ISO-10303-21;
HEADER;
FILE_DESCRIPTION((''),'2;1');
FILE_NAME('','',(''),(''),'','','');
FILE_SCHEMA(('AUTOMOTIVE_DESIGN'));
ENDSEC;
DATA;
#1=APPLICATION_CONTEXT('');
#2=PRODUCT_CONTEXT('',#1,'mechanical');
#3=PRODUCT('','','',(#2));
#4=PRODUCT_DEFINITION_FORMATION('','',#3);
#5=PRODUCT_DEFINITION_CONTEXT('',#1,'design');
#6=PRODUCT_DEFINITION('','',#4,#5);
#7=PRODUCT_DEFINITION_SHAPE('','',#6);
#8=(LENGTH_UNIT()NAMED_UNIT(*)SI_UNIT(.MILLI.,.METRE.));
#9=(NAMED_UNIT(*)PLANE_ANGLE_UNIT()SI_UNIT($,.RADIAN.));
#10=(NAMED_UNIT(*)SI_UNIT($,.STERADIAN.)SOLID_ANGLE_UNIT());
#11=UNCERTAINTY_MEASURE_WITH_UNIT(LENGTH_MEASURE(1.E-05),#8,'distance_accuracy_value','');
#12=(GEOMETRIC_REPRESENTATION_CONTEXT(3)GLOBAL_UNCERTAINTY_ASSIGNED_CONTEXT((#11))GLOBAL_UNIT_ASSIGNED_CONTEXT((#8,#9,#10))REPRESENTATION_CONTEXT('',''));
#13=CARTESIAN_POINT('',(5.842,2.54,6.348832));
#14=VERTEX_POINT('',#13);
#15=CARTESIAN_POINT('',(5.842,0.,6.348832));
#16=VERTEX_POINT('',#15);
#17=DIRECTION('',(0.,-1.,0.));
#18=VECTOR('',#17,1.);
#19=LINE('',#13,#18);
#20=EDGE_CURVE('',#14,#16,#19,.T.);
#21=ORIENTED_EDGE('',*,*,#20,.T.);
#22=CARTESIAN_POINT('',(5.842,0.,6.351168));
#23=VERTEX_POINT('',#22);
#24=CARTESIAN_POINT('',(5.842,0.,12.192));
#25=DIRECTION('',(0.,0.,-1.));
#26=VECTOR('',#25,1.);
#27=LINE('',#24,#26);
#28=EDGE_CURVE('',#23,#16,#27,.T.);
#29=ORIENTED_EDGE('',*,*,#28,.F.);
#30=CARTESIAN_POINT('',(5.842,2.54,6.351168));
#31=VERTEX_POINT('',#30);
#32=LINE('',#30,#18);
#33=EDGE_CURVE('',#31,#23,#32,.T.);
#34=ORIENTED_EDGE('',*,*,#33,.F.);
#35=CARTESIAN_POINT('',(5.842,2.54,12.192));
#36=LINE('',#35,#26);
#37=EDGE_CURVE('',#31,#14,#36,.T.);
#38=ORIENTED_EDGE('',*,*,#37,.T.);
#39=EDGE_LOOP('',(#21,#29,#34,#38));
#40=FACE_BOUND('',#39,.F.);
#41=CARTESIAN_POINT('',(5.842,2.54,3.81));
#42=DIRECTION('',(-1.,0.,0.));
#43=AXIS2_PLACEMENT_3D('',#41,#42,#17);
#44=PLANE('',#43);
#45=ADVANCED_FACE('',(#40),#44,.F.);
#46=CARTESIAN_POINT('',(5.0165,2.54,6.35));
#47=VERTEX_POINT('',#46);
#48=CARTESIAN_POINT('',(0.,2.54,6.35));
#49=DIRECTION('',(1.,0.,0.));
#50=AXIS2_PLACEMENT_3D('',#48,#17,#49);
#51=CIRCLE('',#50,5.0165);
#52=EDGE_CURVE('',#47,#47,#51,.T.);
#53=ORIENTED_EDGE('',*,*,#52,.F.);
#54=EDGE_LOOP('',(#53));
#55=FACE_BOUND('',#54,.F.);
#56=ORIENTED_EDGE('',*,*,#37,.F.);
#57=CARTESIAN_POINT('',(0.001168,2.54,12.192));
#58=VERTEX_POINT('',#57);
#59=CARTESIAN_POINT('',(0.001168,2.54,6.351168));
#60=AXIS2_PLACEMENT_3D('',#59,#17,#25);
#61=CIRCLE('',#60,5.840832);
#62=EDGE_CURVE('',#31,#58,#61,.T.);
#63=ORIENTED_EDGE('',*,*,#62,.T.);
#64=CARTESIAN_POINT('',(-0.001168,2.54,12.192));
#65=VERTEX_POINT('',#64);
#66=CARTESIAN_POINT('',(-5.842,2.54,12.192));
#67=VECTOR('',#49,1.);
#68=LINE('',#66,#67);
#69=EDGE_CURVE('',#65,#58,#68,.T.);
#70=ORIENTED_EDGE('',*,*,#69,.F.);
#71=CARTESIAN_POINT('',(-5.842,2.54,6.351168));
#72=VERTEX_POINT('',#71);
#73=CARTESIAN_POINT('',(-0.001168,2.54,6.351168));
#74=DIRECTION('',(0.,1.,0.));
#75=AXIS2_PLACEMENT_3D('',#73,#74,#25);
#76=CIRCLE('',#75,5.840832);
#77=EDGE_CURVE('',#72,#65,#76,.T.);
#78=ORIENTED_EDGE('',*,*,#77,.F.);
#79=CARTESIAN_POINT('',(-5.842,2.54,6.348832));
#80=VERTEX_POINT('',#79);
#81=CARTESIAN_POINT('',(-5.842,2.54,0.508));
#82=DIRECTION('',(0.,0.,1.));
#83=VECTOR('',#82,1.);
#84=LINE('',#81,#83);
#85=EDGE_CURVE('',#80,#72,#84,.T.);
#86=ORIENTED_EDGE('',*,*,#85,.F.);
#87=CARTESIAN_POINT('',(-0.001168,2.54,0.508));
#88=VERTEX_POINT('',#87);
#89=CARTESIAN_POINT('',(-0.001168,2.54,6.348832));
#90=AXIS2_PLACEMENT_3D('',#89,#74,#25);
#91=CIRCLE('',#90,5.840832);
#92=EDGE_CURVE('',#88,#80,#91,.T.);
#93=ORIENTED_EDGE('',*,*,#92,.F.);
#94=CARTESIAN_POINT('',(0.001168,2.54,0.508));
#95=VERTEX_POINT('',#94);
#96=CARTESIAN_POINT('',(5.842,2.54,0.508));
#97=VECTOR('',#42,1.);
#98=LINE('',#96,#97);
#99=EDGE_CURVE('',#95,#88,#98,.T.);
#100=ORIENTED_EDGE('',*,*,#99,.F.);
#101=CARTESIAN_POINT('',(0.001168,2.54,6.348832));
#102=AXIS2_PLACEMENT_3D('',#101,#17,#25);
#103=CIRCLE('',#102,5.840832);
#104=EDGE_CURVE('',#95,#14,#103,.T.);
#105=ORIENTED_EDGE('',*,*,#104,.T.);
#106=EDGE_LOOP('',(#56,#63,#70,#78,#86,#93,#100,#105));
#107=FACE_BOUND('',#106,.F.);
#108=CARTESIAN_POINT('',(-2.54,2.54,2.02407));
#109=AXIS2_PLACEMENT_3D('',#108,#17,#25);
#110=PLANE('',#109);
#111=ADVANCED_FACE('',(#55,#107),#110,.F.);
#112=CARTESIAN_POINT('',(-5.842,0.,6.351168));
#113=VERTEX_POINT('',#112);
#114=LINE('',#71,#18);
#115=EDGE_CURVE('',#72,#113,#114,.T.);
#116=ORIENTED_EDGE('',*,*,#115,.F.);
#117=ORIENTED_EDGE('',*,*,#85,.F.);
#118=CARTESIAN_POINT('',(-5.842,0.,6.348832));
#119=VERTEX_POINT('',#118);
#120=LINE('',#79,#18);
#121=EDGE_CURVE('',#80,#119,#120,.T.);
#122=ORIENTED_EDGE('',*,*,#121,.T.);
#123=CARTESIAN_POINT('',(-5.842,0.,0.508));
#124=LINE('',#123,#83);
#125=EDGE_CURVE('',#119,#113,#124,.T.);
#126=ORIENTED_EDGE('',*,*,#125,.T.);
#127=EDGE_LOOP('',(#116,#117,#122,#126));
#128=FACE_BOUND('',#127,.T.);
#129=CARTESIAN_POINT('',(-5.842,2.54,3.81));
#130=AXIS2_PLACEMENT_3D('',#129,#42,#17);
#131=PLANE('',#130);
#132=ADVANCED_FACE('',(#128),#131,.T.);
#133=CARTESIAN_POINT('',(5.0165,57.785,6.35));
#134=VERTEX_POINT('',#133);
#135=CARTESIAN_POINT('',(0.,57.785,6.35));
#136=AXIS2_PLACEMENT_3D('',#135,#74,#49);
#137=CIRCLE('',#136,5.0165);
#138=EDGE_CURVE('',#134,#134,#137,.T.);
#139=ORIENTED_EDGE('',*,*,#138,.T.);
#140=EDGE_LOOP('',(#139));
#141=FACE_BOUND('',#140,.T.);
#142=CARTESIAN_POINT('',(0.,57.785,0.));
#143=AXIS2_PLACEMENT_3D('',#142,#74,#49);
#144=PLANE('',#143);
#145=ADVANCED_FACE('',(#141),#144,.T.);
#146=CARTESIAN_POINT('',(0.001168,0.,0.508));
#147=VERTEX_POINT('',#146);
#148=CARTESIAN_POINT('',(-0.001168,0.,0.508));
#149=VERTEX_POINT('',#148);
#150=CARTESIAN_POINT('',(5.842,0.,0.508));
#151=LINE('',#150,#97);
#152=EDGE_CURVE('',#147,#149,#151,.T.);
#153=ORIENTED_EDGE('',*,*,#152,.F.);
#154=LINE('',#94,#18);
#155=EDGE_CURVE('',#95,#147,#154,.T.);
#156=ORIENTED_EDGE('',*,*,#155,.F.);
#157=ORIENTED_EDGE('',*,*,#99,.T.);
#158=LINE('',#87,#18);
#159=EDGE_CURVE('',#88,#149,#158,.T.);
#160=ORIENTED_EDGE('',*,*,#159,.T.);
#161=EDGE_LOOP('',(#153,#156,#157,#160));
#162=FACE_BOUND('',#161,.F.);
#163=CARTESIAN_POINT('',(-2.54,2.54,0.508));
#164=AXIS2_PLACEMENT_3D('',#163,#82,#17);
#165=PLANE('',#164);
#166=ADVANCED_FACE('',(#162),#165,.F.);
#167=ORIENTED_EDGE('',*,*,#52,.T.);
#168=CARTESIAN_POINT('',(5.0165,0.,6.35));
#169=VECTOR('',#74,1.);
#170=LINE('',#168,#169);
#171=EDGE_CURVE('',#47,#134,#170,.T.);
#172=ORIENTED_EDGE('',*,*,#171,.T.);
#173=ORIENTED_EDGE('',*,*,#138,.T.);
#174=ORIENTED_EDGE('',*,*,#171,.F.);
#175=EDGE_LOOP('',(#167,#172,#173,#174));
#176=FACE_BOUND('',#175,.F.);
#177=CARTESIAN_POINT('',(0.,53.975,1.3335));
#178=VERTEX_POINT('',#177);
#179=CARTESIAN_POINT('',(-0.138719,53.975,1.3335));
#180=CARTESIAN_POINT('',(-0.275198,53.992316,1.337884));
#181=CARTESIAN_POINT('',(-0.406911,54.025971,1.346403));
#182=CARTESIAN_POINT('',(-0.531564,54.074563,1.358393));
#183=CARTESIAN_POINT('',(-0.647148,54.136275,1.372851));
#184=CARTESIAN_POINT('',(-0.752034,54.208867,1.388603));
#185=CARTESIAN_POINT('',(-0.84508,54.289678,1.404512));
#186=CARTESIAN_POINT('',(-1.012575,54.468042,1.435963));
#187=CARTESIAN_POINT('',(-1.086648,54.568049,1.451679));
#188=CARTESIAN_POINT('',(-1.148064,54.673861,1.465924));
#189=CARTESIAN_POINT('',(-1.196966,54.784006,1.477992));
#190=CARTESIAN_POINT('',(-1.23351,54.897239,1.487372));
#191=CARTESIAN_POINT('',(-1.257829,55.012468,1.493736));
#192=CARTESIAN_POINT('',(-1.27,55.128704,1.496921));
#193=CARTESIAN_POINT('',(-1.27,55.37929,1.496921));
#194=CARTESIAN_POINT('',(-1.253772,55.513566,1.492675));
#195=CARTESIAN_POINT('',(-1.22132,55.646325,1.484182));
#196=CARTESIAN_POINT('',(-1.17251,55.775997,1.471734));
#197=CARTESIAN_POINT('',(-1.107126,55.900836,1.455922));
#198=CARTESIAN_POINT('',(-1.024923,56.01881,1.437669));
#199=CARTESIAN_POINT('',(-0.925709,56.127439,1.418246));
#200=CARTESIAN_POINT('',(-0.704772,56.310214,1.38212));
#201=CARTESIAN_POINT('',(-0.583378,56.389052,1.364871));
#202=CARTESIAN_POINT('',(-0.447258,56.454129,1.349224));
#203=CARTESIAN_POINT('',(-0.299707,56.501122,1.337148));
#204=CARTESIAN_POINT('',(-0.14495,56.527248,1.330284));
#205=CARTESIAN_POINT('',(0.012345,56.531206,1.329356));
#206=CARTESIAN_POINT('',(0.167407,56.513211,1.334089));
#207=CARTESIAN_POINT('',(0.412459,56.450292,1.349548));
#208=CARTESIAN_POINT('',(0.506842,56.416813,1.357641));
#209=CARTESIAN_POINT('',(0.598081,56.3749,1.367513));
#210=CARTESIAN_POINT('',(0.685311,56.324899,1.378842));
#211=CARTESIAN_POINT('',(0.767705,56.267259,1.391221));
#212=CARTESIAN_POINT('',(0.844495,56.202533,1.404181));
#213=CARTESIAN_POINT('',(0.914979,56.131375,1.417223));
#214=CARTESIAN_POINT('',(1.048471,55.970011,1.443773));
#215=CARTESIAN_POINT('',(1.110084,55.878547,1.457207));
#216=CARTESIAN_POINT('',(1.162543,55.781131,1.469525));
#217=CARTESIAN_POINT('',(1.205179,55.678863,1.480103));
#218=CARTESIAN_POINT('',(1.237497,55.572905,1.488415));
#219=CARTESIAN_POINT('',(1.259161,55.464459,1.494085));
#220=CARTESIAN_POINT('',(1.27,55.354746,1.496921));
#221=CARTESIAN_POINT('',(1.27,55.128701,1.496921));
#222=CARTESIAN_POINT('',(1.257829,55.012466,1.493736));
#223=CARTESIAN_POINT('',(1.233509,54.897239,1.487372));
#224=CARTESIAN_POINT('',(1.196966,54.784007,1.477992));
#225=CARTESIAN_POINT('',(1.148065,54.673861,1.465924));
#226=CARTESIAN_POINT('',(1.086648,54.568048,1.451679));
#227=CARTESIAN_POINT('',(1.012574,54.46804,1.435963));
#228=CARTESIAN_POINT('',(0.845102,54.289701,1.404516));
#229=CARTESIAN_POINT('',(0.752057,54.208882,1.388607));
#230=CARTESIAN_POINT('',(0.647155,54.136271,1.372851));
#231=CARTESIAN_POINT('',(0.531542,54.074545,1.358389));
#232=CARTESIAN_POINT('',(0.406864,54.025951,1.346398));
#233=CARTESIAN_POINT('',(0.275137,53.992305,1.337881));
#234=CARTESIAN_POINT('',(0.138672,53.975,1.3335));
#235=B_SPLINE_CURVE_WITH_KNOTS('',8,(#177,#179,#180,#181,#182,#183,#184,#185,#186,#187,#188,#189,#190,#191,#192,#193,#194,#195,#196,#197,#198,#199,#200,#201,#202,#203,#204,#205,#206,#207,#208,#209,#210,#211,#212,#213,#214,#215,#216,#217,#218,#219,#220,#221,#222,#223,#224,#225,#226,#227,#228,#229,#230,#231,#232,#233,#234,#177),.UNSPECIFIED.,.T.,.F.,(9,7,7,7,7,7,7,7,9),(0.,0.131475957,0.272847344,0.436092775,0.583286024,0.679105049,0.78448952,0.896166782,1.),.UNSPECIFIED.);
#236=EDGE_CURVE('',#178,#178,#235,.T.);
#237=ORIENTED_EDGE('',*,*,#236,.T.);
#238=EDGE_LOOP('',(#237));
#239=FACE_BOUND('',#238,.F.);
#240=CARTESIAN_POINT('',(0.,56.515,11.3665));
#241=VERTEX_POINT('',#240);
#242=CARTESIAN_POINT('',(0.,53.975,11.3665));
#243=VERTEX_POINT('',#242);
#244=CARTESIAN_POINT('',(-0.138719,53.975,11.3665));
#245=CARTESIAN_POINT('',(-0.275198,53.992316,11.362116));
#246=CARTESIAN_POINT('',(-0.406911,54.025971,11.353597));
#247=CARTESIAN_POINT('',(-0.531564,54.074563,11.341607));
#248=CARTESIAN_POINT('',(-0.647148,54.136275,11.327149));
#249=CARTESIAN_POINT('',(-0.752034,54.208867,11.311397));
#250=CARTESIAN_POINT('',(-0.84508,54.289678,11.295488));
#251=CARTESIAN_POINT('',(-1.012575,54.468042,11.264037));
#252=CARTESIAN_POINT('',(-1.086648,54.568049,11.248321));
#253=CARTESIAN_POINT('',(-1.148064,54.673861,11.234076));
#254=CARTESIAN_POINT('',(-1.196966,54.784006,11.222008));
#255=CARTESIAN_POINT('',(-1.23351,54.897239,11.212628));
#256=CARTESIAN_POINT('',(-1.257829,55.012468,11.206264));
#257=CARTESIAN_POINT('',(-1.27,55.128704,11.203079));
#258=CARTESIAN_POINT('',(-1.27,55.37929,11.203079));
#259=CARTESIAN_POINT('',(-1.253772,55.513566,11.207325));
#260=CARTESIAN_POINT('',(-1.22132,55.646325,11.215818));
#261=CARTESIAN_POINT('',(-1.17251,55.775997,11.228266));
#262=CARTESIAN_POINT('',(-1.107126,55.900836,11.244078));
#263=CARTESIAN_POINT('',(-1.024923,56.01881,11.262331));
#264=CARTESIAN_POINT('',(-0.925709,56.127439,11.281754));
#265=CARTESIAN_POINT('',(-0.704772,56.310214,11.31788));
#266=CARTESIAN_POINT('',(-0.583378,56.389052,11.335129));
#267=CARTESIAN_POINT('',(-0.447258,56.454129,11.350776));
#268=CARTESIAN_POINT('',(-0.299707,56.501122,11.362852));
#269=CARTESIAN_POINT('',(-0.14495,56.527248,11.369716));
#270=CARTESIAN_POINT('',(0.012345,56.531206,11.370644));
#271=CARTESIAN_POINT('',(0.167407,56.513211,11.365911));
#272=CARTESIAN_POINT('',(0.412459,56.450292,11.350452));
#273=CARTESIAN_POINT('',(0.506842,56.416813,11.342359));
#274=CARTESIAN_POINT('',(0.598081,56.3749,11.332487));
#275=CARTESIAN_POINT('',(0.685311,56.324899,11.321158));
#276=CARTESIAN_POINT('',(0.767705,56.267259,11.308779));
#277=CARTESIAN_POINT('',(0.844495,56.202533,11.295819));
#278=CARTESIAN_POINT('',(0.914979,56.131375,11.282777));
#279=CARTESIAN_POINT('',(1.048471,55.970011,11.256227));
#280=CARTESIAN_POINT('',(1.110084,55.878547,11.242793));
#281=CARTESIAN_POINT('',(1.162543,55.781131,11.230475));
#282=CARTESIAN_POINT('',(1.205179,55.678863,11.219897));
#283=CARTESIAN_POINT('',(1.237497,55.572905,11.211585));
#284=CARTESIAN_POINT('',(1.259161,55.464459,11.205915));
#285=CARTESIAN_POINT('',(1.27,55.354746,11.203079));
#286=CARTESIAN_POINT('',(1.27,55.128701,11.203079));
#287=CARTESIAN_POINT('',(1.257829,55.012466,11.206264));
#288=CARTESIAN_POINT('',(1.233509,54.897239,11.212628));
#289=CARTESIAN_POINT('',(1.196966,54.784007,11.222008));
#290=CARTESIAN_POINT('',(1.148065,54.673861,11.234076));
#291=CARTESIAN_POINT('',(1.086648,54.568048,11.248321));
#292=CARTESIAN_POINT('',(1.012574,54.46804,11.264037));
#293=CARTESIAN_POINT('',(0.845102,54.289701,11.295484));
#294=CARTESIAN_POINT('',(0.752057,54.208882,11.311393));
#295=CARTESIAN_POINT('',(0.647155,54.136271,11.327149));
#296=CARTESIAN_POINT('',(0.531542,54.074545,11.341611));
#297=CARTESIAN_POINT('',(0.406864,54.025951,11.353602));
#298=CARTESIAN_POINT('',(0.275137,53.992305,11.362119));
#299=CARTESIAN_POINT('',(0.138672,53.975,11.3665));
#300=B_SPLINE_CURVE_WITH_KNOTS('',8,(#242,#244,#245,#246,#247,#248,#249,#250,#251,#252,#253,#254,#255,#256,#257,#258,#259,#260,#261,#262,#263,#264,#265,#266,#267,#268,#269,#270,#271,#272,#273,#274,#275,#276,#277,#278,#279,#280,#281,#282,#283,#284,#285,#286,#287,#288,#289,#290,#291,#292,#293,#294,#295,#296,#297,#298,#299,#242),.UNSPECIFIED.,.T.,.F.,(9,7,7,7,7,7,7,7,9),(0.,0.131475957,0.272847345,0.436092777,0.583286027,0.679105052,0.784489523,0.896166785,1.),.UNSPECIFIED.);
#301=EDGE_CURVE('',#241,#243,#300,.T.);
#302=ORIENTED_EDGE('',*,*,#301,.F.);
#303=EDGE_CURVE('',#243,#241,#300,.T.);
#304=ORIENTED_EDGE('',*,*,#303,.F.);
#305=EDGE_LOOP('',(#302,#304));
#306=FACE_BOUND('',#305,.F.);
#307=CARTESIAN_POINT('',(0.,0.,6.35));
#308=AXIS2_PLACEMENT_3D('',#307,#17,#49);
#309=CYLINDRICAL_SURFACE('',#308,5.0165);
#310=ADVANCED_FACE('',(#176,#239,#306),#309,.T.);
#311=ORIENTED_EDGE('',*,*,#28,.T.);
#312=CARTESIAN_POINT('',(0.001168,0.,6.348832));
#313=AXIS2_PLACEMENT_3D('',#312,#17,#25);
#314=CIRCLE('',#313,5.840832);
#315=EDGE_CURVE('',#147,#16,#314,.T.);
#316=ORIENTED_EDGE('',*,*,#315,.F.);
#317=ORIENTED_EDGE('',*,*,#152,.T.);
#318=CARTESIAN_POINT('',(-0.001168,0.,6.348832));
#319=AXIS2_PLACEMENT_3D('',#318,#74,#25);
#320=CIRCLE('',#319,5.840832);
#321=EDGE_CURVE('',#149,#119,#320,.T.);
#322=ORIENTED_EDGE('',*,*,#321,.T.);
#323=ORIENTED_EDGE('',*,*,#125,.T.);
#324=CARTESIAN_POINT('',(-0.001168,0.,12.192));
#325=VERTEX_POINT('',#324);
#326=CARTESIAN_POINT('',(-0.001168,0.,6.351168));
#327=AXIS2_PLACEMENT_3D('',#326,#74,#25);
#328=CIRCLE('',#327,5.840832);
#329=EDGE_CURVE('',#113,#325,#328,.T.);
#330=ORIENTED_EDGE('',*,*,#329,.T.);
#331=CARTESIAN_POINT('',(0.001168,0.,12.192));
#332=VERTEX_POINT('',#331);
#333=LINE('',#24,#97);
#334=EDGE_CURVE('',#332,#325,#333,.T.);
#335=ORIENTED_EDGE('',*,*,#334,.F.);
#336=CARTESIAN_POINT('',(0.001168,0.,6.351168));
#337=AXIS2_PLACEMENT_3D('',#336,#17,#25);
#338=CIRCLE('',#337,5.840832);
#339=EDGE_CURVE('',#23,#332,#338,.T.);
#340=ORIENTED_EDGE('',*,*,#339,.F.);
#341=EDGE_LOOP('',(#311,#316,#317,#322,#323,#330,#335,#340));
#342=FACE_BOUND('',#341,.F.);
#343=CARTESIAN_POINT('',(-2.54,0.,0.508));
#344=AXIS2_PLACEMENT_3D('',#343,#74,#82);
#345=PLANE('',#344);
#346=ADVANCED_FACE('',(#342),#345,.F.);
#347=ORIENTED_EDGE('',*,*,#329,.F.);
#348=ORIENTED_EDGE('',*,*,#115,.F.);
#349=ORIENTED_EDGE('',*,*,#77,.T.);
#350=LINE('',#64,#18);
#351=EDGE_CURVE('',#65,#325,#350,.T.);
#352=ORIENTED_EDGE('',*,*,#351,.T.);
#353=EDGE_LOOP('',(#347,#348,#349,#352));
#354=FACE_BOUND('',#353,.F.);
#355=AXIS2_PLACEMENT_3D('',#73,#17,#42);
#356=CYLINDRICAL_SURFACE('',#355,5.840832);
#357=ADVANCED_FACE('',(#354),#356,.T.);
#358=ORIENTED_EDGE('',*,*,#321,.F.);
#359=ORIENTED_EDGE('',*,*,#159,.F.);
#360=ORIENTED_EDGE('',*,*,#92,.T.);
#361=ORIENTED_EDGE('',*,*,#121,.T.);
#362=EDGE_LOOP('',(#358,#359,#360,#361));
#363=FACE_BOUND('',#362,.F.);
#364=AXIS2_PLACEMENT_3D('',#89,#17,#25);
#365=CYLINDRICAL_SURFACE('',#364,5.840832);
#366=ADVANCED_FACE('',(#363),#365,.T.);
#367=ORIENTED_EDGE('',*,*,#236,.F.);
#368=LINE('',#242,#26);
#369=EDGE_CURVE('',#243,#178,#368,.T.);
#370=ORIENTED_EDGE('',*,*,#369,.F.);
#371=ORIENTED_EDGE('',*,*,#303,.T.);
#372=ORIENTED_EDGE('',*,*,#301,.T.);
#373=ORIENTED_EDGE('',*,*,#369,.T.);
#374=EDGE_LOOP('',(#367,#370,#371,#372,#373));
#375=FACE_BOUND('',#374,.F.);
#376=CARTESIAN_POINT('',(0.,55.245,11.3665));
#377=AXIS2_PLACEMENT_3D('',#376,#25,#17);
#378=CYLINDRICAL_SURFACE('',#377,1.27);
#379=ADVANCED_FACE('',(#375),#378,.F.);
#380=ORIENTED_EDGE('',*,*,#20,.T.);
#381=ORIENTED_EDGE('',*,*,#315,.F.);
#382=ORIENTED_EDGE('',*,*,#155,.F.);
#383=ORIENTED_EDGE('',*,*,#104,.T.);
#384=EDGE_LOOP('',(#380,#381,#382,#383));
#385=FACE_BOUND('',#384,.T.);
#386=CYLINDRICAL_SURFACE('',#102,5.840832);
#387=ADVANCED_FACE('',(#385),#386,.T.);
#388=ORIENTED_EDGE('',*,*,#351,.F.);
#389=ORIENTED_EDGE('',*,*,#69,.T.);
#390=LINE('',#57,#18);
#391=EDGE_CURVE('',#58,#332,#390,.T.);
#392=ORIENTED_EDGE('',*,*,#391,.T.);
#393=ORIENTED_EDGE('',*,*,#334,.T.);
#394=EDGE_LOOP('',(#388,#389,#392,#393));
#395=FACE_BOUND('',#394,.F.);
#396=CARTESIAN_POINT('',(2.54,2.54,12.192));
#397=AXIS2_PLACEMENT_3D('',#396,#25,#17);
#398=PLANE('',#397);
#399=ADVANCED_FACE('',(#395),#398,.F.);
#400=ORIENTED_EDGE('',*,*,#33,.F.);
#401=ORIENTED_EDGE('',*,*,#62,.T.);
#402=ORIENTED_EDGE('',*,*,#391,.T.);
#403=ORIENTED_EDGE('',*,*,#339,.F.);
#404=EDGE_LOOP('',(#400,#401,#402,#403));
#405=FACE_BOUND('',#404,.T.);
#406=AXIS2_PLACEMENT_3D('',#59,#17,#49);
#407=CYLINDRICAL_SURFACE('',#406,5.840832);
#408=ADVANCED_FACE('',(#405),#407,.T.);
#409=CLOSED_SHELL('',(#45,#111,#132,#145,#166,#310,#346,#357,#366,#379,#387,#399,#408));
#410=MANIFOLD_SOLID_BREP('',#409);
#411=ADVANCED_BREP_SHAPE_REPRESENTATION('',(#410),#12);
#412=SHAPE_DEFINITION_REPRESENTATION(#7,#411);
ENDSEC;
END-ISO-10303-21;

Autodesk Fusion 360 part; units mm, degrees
sketch "Sketch1" plane through (0, 0, 0) normal (0, 1, 0) x (1, 0, 0)
  circle A0 centre (0, -6.35) radius 5.0165
  dimension "d1" = 10.033
extrude "Extrude1" add sketch "Sketch1" along normal blind 57.785
hole "Hole1" at (0, 55.245, 11.3665) direction (0, 0, -1) diameter 2.54 depth 19.05 tip angle 118
extrude "Extrude2" cut 1 faces at (-0.3721, 0, 4.7198) along direction (0, 1, 0) blind 2.54
sketch "Sketch3" plane through (0, 2.54, 0) normal (0, -1, 0) x (1, 0, 0)
  circle A0 centre (0, 6.35) radius 5.0165
  line L0 (-2.54, 8.89) -> (2.54, 8.89)
  line L1 (2.54, 8.89) -> (2.54, 3.81)
  line L2 (2.54, 3.81) -> (-2.54, 3.81)
  line L3 (-2.54, 3.81) -> (-2.54, 8.89)
extrude "Extrude3" add sketch "Sketch3" along normal blind 2.54 contours L0 L1 L2 L3
extrude "Extrude4" add 1 faces at (0.8467, 0.8467, 8.89) along direction (0, 0, 1) blind 3.302
extrude "Extrude5" add 1 faces at (2.54, 0.8467, 8.8926) along direction (1, 0, 0) blind 3.302
extrude "Extrude6" add 1 faces at (2.5426, 0.8467, 3.81) along direction (0, 0, -1) blind 3.302
extrude "Extrude7" add 1 faces at (-2.54, 0.8467, 4.908) along direction (-1, 0, 0) blind 3.302
fillet "Fillet1" radius 5.842 4 edges at (-5.842, 1.27, 12.192) (5.842, 1.27, 12.192) (5.842, 1.27, 0.508) (-5.842, 1.27, 0.508)
